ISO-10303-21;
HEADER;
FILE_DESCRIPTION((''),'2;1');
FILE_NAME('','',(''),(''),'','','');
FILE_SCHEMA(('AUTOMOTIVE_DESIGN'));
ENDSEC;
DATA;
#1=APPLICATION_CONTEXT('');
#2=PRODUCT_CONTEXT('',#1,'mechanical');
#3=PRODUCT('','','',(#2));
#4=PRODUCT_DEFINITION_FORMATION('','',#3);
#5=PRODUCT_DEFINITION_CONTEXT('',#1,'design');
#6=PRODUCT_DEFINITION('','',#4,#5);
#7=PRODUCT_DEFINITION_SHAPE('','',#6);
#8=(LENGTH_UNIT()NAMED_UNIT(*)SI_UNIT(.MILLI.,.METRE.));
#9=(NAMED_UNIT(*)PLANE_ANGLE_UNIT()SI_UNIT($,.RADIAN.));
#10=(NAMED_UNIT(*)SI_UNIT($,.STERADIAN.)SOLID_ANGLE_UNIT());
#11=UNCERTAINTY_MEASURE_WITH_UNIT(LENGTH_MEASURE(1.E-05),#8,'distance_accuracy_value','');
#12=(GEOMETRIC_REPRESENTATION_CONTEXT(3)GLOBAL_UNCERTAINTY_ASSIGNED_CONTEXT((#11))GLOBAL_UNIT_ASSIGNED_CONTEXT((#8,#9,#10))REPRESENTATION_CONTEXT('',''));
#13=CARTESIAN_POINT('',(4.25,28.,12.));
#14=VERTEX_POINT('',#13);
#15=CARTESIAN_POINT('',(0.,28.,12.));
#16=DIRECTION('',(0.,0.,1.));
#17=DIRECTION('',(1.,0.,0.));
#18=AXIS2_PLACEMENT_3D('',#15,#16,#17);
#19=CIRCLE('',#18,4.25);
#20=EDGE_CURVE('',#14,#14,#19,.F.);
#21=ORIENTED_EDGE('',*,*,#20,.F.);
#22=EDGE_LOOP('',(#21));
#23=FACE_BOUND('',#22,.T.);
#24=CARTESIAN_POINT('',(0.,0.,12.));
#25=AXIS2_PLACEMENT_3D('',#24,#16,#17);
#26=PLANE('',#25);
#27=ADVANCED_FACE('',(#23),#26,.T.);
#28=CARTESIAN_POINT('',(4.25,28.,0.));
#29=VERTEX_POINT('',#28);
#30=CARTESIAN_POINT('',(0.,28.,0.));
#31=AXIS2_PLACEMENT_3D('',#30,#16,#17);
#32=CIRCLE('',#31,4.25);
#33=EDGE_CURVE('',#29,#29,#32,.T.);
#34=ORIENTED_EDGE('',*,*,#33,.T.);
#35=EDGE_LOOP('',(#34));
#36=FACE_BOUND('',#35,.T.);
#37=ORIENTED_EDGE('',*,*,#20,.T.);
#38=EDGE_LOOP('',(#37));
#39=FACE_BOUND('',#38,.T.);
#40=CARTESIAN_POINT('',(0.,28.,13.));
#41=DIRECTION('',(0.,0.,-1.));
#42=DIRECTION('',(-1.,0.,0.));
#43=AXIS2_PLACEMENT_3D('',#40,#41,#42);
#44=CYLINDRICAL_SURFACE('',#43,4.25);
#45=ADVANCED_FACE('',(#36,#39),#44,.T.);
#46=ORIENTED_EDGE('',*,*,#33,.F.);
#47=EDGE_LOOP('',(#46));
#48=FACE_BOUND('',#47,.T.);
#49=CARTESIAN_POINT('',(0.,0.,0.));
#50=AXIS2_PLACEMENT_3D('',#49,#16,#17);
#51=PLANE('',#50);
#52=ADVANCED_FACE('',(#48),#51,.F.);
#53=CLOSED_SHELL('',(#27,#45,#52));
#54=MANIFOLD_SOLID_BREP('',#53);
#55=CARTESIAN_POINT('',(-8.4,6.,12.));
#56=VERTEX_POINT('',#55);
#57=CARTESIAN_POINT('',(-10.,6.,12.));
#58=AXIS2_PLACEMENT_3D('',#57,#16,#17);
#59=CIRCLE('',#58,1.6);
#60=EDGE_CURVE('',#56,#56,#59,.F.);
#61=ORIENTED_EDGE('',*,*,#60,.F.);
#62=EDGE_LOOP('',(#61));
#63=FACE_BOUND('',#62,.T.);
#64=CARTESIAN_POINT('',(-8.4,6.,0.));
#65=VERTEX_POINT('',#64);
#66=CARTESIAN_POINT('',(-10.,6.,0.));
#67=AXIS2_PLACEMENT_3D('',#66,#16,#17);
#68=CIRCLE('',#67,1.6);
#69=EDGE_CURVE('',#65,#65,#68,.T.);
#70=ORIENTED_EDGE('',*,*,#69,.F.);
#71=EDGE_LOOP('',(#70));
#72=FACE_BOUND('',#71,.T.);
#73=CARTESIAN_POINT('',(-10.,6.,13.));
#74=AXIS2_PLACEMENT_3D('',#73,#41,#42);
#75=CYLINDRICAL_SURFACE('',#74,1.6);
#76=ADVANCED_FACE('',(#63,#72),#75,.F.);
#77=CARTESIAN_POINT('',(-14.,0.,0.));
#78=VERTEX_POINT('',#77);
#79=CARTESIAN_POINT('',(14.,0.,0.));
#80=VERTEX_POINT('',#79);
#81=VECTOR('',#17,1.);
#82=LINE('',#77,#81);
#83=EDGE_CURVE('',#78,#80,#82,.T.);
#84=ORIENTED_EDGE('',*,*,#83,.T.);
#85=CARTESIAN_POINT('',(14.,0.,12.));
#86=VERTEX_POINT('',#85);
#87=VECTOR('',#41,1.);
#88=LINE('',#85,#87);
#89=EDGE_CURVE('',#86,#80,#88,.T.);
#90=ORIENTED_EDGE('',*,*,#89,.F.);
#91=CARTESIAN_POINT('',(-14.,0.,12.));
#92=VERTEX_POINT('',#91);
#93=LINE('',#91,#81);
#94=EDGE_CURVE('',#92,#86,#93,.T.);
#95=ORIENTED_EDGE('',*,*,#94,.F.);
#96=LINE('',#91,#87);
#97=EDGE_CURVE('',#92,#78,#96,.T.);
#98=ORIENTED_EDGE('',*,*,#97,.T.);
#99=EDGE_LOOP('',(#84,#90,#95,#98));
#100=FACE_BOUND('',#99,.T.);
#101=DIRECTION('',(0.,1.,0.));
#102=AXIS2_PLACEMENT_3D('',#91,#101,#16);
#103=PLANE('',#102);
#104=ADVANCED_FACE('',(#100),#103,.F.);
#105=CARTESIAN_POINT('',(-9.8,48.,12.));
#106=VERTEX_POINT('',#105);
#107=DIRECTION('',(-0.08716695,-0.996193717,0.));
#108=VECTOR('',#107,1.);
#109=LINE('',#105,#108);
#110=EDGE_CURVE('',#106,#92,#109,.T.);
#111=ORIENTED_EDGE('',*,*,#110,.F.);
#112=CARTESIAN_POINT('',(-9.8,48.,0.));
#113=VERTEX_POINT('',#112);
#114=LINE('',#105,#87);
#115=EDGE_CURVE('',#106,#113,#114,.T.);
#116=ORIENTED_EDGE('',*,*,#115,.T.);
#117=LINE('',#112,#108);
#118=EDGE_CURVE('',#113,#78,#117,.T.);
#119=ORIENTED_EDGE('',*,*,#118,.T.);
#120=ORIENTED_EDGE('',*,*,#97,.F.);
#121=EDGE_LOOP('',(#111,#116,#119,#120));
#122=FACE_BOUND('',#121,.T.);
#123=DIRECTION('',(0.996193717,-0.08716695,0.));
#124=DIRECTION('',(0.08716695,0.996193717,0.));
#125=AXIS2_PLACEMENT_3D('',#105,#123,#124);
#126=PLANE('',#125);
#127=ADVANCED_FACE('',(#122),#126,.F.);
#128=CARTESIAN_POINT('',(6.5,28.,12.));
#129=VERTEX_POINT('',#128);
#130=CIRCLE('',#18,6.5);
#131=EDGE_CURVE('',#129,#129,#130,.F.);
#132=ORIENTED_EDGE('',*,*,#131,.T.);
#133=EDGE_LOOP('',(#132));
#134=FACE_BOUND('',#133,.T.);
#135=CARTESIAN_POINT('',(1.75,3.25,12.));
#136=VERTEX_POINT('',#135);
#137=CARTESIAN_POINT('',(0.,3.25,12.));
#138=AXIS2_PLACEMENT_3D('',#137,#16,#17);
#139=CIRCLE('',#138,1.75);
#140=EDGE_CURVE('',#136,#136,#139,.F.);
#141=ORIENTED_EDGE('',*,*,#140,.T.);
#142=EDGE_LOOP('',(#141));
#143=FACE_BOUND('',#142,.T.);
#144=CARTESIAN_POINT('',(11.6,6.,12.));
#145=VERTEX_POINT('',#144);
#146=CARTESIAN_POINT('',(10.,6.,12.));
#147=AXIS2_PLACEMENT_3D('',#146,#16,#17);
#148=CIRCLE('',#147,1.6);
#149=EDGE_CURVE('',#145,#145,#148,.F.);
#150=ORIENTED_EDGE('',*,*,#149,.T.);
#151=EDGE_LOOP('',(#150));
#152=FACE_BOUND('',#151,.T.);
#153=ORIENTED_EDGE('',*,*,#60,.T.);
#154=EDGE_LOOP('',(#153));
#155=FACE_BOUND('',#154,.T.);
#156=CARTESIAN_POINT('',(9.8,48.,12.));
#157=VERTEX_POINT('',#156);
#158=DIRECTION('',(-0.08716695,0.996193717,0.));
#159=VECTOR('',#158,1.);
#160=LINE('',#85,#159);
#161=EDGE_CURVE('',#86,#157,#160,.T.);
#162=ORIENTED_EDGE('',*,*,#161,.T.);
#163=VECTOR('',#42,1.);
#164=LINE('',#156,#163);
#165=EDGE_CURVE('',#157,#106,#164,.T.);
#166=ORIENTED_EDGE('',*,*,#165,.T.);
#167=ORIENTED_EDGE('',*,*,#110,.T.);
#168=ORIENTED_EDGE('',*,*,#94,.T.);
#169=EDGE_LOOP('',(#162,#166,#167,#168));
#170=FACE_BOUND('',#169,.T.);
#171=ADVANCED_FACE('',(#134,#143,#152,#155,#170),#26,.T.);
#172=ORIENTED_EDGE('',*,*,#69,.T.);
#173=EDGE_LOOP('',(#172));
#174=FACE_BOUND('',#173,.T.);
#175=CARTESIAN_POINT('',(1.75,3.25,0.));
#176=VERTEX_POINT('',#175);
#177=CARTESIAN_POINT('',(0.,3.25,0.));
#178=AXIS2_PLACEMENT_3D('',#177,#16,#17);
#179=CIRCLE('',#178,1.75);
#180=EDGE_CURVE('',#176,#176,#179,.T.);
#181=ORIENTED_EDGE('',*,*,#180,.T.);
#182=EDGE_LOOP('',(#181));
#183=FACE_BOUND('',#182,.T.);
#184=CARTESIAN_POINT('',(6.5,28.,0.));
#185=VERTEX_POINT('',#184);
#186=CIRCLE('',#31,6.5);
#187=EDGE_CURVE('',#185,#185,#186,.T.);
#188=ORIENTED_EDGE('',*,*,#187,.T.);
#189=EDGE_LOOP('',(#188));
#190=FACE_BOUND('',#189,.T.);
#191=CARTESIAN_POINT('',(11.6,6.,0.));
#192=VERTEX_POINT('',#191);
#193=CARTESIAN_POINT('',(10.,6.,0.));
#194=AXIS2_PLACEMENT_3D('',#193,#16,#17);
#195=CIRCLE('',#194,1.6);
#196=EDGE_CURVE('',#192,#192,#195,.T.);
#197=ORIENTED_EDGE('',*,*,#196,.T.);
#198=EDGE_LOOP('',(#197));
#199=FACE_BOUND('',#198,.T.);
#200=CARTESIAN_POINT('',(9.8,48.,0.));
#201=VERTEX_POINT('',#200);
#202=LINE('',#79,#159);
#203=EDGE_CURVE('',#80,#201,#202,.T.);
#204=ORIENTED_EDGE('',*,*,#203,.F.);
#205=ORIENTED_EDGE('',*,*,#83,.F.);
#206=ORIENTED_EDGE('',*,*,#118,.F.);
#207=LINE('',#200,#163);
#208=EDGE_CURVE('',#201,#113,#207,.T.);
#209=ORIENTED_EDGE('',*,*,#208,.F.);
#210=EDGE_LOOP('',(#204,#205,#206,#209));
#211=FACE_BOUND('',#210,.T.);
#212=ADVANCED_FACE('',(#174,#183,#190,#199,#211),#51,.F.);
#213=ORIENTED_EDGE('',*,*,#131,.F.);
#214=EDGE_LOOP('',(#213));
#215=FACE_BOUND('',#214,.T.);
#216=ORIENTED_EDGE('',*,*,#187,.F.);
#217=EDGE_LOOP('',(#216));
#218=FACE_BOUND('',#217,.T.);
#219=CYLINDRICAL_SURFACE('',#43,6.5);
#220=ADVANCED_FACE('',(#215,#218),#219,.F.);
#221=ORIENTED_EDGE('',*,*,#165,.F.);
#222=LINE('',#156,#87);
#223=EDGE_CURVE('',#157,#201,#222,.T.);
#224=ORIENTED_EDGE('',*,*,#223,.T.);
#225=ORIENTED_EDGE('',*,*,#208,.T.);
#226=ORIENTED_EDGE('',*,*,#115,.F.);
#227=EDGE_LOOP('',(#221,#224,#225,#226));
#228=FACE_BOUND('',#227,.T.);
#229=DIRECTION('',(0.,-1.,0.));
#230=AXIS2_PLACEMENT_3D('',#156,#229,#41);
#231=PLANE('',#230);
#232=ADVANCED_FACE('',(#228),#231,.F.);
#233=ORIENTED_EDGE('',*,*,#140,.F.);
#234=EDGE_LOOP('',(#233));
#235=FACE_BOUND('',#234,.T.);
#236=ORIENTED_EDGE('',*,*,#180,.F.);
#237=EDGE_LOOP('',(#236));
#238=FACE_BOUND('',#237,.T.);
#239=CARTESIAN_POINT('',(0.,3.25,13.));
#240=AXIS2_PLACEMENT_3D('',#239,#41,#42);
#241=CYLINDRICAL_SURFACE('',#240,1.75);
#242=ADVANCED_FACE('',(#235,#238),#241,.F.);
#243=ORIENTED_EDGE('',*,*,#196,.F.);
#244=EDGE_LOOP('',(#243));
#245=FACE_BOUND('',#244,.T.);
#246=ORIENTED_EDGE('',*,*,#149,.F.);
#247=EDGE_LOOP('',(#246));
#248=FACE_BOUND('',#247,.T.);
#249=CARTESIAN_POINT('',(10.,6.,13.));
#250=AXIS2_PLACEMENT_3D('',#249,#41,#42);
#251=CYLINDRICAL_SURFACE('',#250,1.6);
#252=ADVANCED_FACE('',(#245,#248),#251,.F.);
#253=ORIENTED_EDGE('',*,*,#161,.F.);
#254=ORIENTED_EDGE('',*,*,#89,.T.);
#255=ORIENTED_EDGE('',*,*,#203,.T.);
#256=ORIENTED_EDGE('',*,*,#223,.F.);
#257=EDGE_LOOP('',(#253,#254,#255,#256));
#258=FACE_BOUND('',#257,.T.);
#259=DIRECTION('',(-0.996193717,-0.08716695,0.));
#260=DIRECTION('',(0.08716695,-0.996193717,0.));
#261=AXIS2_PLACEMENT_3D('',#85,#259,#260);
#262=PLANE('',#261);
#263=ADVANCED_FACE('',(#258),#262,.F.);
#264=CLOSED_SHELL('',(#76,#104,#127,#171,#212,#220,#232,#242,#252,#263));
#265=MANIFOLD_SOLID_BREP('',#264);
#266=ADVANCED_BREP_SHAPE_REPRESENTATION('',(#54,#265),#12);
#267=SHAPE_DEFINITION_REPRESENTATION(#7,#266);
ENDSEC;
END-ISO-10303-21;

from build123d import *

# Parameters (mm, degrees)
BOSS_EXTRUDE1_DEPTH = 12
SKETCH2_R           = 1.6
SKETCH2_R_2         = 1.75
SKETCH2_R_3         = 6.5
SKETCH2_R_4         = 4.25
CUT_EXTRUDE2_DEPTH  = 13


with BuildPart() as part:
    # Sketch1 → Boss-Extrude1 (new body)
    with BuildSketch(Plane.XY):
        Polygon((-14, 0), (14, 0), (9.8, 48), (-9.8, 48), align=None)
    extrude(amount=BOSS_EXTRUDE1_DEPTH)

    # Sketch2 → Cut-Extrude2 (cut)
    # profile 1 of 5: a face of its own
    with BuildSketch(Plane.XY):
        with Locations((10, 6)):
            Circle(SKETCH2_R)
    # profile 2 of 5: a face of its own
    with BuildSketch(Plane.XY):
        with Locations((-10, 6)):
            Circle(SKETCH2_R)
    # profile 3 of 5: a face of its own
    with BuildSketch(Plane.XY):
        with Locations((0, 52.75)):
            Circle(SKETCH2_R_2)
    # profile 4 of 5: a face of its own
    with BuildSketch(Plane.XY):
        with Locations((0, 3.25)):
            Circle(SKETCH2_R_2)
    # profile 5 of 5: a face of its own
    with BuildSketch(Plane.XY):
        with Locations((0, 28)):
            Circle(SKETCH2_R_3)
        with Locations((0, 28)):
            Circle(SKETCH2_R_4, mode=Mode.SUBTRACT)
    extrude(amount=CUT_EXTRUDE2_DEPTH, mode=Mode.SUBTRACT)


with BuildPart() as cut_extrude2_piece_1:
    # of the separate pieces the step leaves, piece 1, a body of its own (cut_extrude2_pieces)
    add(part.part.solids().sort_by_distance((-14, 0, 0))[0])


with BuildPart() as cut_extrude2_piece_2:
    # of the separate pieces the step leaves, piece 2, a body of its own (cut_extrude2_pieces)
    add(part.part.solids().sort_by_distance((4.25, 28, 0))[0])


solid = Compound([cut_extrude2_piece_1.part, cut_extrude2_piece_2.part])
